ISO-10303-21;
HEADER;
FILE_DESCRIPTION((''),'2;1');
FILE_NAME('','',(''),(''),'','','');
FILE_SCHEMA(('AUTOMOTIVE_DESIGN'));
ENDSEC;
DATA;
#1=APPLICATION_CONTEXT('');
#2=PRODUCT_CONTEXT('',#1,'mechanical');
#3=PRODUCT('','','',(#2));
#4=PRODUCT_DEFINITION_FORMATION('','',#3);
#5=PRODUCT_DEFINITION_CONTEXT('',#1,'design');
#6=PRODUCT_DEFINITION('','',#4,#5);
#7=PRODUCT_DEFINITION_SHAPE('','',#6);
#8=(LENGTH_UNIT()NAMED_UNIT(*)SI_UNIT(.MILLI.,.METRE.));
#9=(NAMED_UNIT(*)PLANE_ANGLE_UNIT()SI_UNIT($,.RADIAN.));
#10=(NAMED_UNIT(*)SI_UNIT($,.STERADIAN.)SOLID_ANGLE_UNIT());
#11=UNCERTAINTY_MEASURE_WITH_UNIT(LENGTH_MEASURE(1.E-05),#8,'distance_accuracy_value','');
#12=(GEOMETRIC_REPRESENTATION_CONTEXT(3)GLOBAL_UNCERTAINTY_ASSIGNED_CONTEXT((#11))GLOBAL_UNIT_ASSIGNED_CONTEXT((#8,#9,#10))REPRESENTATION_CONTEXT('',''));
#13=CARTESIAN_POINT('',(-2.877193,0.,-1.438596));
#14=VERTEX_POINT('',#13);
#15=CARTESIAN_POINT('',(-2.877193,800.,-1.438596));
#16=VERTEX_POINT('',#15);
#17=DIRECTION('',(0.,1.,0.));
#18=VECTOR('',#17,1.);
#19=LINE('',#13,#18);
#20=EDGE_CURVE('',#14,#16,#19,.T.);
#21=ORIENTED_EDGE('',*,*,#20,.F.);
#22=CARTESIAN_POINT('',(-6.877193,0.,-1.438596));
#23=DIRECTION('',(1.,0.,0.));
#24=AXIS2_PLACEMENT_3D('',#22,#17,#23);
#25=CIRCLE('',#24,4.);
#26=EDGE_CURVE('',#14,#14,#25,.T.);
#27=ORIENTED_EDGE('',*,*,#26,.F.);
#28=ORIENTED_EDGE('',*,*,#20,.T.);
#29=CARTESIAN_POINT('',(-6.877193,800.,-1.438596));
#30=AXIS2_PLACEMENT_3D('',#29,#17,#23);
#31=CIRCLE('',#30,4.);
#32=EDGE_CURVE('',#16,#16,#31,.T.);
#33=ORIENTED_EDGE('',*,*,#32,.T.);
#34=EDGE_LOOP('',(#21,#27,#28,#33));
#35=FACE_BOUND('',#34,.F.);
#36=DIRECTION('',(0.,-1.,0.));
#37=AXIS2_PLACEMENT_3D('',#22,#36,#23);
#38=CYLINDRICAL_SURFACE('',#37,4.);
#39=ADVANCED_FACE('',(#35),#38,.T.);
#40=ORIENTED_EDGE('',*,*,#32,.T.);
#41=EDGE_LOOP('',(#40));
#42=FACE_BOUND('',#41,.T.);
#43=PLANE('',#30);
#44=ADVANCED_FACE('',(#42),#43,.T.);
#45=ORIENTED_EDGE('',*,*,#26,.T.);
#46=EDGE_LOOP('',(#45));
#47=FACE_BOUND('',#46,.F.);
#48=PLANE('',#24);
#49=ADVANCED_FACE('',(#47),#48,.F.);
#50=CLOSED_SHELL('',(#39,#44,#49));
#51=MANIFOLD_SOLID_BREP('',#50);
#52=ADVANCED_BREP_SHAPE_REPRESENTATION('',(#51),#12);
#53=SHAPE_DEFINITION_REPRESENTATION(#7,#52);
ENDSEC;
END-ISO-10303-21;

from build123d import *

# Parameters (mm, degrees)
SKETCH1_R           = 4
BOSS_EXTRUDE1_DEPTH = 800


with BuildPart() as part:
    # Sketch1 → Boss-Extrude1 (new body)
    with BuildSketch(Plane(origin=(0, 0, 0), x_dir=(1, 0, 0), z_dir=(0, 1, 0))):
        with Locations((-6.877192982, 1.438596491)):
            Circle(SKETCH1_R)
    extrude(amount=BOSS_EXTRUDE1_DEPTH)


solid = part.part
